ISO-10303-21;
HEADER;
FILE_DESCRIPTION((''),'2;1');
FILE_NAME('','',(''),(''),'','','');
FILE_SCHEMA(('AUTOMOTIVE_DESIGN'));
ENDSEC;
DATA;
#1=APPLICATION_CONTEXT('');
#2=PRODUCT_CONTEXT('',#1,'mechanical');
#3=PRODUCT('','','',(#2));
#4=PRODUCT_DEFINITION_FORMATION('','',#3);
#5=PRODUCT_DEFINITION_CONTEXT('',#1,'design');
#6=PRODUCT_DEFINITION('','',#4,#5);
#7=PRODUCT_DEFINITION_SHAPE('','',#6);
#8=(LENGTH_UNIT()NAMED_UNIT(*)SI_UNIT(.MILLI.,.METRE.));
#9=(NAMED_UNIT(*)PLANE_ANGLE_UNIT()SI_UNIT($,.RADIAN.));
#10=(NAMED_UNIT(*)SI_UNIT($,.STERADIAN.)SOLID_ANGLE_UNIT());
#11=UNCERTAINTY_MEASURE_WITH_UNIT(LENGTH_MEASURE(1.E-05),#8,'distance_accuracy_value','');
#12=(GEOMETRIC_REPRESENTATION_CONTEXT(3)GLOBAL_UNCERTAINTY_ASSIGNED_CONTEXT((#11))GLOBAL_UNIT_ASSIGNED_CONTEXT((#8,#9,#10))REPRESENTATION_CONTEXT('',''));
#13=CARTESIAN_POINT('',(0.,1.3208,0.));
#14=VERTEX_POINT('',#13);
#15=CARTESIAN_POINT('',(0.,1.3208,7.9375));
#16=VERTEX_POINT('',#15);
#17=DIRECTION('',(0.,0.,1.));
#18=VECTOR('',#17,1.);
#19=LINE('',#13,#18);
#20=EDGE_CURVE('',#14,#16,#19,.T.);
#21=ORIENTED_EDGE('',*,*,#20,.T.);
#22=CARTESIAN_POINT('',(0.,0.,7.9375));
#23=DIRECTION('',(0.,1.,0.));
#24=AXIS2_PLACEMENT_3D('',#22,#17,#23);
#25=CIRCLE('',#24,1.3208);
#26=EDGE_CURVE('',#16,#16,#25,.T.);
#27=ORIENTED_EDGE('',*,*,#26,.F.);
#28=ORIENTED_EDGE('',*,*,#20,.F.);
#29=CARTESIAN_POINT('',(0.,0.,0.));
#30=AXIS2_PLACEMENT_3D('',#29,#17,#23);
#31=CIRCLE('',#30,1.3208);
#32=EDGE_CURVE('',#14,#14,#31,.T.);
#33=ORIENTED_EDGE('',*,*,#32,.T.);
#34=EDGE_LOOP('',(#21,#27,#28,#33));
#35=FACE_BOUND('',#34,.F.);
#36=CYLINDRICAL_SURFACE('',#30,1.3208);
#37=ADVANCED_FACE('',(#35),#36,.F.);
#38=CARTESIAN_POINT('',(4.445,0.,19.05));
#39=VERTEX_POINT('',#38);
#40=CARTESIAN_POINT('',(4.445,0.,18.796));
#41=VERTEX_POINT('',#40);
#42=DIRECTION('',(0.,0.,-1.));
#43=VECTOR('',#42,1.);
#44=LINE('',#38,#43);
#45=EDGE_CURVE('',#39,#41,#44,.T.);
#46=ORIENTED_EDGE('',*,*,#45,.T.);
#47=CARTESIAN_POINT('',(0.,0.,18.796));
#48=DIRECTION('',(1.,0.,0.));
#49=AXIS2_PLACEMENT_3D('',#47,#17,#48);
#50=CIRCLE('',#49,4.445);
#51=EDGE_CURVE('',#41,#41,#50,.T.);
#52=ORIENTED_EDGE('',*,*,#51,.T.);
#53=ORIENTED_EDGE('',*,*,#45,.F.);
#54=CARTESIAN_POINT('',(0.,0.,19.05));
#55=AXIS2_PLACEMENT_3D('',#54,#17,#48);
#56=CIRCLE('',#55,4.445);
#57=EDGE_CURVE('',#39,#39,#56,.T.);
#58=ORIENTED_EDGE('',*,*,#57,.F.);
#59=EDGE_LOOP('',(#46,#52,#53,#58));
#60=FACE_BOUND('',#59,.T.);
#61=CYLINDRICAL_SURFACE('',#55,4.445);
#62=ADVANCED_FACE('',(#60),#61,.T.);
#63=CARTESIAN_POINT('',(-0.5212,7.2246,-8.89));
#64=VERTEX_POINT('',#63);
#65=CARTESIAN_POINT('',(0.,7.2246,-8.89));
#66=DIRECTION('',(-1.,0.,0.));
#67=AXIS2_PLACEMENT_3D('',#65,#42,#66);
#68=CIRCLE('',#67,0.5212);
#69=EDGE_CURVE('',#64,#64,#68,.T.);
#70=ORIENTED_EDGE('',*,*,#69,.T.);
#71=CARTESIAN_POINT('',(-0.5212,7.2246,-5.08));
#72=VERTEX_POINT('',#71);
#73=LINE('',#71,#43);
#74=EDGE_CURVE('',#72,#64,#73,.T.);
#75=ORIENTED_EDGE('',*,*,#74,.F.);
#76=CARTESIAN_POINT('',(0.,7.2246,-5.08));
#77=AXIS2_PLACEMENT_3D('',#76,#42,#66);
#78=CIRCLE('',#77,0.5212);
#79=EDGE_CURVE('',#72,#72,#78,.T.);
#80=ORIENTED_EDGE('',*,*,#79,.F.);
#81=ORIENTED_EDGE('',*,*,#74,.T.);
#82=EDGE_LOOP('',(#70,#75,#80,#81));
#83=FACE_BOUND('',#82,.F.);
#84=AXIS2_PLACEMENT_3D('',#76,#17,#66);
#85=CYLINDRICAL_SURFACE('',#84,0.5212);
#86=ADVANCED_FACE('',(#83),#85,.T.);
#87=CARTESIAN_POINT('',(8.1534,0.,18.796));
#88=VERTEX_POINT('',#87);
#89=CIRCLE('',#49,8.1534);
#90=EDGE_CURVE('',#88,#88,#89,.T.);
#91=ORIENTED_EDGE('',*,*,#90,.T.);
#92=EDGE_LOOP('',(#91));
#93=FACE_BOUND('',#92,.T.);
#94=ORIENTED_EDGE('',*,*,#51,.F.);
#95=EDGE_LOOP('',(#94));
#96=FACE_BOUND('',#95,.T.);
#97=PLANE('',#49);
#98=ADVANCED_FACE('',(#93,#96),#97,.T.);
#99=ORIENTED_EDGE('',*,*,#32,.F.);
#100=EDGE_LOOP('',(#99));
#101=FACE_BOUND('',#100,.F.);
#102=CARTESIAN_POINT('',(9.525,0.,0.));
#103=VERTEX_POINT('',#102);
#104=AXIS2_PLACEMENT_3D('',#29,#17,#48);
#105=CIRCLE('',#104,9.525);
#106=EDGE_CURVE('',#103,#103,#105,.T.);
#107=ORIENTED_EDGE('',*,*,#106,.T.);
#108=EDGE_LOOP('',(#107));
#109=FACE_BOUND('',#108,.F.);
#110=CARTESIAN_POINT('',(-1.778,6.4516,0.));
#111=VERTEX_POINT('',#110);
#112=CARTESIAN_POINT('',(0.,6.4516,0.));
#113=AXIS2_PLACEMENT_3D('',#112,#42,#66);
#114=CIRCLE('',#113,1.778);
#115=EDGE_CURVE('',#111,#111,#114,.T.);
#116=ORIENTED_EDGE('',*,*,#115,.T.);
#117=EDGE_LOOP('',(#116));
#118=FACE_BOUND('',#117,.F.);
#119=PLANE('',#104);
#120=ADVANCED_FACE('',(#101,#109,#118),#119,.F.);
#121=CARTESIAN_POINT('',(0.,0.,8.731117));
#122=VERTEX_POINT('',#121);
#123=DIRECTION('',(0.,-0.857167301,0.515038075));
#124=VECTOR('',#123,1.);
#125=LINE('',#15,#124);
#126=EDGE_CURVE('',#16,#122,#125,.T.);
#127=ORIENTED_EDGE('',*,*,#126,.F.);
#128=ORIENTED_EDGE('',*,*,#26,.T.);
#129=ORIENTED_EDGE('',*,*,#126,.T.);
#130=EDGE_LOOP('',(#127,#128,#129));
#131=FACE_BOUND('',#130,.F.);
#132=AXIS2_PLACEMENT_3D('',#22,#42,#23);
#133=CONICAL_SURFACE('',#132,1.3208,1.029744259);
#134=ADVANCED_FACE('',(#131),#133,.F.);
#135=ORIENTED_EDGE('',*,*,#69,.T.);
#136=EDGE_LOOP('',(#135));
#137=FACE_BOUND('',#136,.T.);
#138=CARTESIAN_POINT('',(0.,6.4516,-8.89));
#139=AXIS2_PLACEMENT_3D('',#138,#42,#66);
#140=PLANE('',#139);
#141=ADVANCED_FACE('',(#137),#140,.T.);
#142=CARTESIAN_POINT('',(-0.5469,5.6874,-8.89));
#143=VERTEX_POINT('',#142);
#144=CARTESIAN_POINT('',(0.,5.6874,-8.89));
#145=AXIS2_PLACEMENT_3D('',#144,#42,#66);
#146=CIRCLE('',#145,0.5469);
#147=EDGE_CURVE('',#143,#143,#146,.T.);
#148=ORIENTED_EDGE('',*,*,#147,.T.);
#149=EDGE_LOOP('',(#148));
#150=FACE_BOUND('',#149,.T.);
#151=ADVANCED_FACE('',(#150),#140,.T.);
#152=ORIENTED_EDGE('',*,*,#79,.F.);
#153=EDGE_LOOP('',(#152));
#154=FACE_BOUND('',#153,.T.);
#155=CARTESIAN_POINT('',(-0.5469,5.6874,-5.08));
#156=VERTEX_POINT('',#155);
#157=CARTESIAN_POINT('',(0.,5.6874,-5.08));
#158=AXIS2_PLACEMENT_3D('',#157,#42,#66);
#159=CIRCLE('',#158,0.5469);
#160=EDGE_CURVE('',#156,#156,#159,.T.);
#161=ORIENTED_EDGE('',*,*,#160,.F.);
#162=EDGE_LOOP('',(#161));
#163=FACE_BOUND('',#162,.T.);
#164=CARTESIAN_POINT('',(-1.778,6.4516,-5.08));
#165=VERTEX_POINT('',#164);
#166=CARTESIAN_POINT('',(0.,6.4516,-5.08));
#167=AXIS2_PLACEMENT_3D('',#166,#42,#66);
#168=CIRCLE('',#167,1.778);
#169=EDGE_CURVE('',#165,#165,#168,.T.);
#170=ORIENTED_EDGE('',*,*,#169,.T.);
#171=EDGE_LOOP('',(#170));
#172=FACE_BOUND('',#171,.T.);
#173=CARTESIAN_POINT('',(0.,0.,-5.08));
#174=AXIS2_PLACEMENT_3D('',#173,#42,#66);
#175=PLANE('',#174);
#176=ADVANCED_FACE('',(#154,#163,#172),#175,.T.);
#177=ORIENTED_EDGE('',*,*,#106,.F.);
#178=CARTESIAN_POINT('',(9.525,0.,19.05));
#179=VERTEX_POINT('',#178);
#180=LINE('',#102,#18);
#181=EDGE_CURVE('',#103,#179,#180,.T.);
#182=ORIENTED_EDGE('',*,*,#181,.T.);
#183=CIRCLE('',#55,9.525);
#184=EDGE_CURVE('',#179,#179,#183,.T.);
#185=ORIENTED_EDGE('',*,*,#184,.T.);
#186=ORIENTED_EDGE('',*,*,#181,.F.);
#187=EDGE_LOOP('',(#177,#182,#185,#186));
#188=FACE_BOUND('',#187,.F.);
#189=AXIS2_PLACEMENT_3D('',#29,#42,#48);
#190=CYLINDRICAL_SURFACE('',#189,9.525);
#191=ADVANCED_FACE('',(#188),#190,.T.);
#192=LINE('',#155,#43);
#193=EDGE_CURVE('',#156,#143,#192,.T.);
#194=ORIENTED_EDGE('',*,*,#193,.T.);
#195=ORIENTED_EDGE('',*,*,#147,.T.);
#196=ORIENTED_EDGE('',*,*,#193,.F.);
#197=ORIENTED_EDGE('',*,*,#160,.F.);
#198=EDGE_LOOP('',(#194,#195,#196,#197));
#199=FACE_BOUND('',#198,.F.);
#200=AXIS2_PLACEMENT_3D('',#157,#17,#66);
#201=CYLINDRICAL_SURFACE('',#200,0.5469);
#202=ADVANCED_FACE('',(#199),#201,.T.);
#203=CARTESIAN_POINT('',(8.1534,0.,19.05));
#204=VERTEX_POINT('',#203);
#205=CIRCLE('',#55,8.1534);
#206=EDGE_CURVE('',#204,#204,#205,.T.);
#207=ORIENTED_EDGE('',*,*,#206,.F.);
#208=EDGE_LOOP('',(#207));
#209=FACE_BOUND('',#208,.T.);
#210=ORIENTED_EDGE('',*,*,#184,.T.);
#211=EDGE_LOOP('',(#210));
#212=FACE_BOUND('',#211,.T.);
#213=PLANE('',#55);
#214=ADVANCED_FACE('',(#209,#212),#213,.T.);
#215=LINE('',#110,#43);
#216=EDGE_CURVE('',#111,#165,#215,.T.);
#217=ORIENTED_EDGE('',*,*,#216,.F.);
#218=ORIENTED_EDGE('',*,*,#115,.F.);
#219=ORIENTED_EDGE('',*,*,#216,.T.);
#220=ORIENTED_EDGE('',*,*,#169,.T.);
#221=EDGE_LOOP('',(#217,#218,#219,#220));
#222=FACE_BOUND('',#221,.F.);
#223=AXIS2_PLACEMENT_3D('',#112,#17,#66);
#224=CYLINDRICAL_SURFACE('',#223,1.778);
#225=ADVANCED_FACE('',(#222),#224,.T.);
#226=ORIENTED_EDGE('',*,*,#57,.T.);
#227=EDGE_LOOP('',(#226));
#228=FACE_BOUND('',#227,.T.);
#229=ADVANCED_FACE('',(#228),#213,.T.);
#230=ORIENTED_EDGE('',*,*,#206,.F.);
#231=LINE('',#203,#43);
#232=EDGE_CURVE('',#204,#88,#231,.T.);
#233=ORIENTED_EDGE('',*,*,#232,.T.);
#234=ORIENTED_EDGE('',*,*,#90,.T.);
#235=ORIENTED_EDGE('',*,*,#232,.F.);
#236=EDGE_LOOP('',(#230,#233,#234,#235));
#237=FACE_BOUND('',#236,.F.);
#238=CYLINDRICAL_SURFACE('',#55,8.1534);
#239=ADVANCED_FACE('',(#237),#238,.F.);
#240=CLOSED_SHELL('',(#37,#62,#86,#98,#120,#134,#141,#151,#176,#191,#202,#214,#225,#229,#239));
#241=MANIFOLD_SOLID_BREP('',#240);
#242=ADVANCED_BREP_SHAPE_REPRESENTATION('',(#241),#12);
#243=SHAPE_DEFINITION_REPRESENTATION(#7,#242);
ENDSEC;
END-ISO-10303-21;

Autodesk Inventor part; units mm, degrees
ref_plane "YZ Plane" through (0, 0, 0) normal (1, 0, 0) x (0, 1, 0)
ref_plane "XZ Plane" through (0, 0, 0) normal (0, 1, 0) x (-1, 0, 0)
ref_plane "XY Plane" through (0, 0, 0) normal (0, 0, 1) x (1, 0, 0)
sketch "Sketch1" plane through (0, 0, 0) normal (0, 0, 1) x (1, 0, 0)
  circle A0 centre (0, 0) radius 9.525
  dimension "d0" = 19.05
extrude "Extrusion1" add sketch "Sketch1" along normal blind 19.05
sketch "Sketch2" plane through (0, 0, 19.05) normal (0, 0, 1) x (1, 0, 0)
  circle A0 centre (0, 0) radius 8.1534
  circle A1 centre (0, 0) radius 4.445
  circle A2 centre (0, 0) radius 9.525 projected
  dimension "d3" = 8.89
  dimension "d4" = 1.3716
extrude "Extrusion2" cut sketch "Sketch2" against normal blind 0.254 contours A0
hole "Hole1" at (0, 0, 0) direction (0, 0, 1) diameter 2.6416 depth 7.9375 tip angle 118 thread size "6-32 UNC" class "2B" standard "ANSI Unified Screw Threads"
sketch "Sketch3" plane through (0, 0, 0) normal (0, 0, -1) x (-1, 0, 0)
  circle A0 centre (0, 6.4516) radius 1.778
  circle A1 centre (0, 0) radius 9.525 projected
  circle A2 centre (0, 7.2136) radius 0.5461
  circle A3 centre (0, 5.6896) radius 0.5461
  dimension "d16" = 6.4516
  dimension "d17" = 3.556
  dimension "d20" = 1.0922
  dimension "d21" = 0.762
  dimension "d22" = 0.762
extrude "Extrusion3" add sketch "Sketch3" along normal blind 5.08 contours A0 | A2 | A3
sketch "Sketch4" plane through (0, 6.4516, -5.08) normal (0, 0, -1) x (-1, 0, 0)
  circle A0 centre (0, 0.773) radius 0.5212
  circle A1 centre (0, -0.7642) radius 0.5469
  point P0 (0, -6.4516)
extrude "Extrusion4" add sketch "Sketch4" along normal blind 3.81
properties part number "CE-075-12C"
